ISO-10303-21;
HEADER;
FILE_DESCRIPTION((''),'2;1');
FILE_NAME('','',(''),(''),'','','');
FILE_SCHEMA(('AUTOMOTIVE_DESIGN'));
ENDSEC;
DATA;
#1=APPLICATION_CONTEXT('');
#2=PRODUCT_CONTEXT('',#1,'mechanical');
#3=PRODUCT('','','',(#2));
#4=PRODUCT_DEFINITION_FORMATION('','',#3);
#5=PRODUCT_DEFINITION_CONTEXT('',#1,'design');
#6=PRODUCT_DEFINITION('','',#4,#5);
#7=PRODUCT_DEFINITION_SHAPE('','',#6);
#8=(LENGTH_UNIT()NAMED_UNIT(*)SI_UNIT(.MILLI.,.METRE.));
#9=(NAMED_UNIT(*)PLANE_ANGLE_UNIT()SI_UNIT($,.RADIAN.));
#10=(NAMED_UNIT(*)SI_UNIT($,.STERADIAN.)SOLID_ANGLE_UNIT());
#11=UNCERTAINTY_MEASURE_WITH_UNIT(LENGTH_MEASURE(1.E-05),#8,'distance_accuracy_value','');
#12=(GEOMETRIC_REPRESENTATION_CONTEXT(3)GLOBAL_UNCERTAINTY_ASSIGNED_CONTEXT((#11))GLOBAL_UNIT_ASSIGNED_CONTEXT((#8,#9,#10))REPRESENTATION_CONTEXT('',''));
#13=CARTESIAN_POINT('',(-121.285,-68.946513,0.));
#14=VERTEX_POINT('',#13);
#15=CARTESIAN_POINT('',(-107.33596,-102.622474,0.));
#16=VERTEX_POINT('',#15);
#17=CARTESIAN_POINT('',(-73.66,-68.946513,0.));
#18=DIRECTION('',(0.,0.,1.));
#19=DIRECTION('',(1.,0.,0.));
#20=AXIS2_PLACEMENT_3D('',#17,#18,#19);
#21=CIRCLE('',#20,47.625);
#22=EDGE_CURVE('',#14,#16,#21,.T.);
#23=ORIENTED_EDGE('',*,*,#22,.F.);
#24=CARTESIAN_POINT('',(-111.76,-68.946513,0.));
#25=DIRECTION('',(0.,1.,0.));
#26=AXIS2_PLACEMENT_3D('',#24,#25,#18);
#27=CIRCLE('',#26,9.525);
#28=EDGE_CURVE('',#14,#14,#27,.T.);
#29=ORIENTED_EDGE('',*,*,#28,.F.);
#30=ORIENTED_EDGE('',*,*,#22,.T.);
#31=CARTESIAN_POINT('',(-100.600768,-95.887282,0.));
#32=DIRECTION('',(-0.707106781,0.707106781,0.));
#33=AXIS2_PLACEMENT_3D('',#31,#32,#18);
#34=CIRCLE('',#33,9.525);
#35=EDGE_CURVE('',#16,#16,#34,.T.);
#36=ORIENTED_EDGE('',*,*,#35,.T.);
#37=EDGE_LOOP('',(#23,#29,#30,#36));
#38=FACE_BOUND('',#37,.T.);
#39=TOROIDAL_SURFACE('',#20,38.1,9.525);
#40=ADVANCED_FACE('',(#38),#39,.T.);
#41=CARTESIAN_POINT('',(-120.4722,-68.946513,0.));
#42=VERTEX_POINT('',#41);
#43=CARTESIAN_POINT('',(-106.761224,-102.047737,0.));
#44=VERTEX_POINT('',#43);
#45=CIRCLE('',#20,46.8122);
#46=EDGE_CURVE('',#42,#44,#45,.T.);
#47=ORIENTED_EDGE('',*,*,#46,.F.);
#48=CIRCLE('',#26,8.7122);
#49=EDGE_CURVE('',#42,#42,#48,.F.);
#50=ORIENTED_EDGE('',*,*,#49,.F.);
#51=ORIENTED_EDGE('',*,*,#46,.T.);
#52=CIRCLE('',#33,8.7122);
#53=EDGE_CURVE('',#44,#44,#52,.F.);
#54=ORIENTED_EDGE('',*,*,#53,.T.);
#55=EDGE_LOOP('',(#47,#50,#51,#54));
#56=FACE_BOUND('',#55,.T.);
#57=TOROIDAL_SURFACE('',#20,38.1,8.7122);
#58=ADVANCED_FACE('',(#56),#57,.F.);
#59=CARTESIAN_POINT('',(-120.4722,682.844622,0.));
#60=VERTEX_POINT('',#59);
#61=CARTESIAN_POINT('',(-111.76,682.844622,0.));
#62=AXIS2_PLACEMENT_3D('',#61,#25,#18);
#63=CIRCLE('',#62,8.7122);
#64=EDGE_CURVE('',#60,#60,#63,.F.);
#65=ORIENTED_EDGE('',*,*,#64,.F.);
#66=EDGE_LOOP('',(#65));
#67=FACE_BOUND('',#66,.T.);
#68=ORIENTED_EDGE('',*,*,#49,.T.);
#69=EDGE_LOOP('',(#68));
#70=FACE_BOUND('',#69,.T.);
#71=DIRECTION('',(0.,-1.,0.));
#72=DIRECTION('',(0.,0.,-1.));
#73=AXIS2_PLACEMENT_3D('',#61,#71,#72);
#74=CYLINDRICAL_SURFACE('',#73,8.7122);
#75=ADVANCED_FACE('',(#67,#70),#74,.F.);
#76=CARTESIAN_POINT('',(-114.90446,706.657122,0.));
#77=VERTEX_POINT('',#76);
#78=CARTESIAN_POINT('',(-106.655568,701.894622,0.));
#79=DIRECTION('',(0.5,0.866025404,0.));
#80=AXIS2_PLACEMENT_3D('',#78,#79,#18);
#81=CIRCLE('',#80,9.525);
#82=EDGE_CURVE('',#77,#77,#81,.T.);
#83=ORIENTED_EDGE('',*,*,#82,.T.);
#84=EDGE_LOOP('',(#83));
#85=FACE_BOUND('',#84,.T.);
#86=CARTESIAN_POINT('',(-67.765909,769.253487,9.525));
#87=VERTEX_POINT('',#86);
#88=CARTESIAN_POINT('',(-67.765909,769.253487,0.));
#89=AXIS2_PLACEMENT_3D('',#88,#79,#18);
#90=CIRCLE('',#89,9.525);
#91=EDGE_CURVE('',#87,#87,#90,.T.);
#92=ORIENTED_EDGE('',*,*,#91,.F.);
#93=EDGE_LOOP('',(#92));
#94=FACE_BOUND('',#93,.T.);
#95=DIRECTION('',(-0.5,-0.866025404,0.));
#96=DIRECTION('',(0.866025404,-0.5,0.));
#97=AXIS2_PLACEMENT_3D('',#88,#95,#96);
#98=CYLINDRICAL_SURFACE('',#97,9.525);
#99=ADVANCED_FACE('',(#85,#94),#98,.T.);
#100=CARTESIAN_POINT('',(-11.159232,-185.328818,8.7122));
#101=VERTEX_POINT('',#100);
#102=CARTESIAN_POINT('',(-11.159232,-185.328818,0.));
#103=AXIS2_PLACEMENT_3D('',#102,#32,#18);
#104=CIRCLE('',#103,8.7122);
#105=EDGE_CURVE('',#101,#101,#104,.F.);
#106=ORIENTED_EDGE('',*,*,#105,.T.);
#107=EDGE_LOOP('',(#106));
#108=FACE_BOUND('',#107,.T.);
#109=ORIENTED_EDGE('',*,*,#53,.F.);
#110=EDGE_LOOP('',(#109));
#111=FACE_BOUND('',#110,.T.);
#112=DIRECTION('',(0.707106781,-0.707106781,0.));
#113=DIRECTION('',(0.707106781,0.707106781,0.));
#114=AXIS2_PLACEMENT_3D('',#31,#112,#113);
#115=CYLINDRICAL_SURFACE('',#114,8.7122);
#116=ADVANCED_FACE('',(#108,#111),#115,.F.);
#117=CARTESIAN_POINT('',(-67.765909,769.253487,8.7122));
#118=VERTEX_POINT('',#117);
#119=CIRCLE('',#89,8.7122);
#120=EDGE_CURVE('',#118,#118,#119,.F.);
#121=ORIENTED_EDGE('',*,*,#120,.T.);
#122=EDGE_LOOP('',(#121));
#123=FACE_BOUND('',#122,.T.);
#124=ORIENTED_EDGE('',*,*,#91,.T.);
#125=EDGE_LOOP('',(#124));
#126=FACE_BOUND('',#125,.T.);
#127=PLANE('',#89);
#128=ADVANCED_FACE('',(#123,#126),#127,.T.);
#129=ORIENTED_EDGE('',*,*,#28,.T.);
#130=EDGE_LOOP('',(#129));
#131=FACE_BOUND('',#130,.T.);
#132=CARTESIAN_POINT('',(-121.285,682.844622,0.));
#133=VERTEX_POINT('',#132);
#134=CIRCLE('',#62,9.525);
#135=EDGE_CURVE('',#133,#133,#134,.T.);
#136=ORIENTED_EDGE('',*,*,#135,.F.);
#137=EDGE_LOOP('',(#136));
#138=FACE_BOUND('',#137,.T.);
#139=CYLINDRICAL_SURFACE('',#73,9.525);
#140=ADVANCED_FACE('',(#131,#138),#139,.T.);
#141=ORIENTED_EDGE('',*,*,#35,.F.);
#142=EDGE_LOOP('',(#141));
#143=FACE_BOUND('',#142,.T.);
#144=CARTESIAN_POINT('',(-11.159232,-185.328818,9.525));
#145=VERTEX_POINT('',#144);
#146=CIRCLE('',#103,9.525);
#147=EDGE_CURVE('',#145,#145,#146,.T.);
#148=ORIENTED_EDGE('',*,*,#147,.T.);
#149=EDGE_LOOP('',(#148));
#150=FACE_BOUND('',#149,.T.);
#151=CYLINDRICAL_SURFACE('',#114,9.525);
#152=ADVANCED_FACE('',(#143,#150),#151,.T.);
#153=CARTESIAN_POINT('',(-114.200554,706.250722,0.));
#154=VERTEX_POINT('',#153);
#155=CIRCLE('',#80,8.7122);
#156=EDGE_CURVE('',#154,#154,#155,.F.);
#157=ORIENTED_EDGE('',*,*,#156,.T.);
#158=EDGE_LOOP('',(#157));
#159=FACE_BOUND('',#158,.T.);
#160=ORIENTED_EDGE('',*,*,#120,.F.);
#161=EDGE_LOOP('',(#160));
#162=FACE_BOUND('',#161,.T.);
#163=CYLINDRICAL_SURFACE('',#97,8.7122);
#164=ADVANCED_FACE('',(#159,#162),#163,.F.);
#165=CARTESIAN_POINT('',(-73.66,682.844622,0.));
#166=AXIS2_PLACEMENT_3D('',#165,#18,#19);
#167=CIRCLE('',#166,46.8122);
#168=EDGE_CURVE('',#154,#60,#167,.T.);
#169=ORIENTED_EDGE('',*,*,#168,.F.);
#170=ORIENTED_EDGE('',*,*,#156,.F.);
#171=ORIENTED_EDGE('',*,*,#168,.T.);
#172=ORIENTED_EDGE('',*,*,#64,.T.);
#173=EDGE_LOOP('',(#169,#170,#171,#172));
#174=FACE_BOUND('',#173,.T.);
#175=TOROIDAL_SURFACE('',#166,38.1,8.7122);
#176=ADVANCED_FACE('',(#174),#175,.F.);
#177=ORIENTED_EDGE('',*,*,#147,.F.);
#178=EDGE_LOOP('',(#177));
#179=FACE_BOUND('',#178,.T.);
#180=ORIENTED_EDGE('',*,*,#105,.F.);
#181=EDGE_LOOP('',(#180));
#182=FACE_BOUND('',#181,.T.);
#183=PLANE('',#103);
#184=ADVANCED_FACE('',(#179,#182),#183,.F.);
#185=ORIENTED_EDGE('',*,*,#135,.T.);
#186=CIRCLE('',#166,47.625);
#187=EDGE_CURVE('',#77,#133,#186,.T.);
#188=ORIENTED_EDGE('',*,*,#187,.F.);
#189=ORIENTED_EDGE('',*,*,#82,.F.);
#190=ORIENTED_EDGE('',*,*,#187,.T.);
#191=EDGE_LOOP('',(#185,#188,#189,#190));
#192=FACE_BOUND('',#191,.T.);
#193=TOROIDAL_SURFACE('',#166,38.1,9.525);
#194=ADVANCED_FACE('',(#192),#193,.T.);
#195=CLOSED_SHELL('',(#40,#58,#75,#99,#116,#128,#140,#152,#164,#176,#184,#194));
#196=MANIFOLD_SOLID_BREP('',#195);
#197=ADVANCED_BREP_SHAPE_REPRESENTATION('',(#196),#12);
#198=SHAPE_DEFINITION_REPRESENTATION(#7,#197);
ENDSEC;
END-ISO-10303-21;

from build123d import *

# Parameters (mm, degrees)
SKETCH2_R   = 9.525
SKETCH2_R_2 = 8.7122


with BuildPart() as part:
    # Sweep1: sweep along a path in Sketch1
    with BuildLine(Plane.XY) as sweep1_path:
        Line((-11.159231637, -185.328818363), (-100.600768363, -95.887281637))
        ThreePointArc((-100.600768363, -95.887281637), (-108.859810189, -83.526752047), (-111.76, -68.946513274))
        Line((-111.76, -68.946513274), (-111.76, 682.844622495))
        ThreePointArc((-111.76, 682.844622495), (-110.461773982, 692.705628113), (-106.655567884, 701.894622495))
        Line((-106.655567884, 701.894622495), (-67.765909488, 769.253486726))
    # Sketch2 → Sweep1 (sweep)
    with BuildSketch(Plane(origin=(0, 0, 0), x_dir=(1, 0, 0), z_dir=(0, 1, 0))):
        with Locations((-111.76, 0)):
            Circle(SKETCH2_R)
        with Locations((-111.76, 0)):
            Circle(SKETCH2_R_2, mode=Mode.SUBTRACT)
    sweep(path=sweep1_path.line)


solid = part.part
